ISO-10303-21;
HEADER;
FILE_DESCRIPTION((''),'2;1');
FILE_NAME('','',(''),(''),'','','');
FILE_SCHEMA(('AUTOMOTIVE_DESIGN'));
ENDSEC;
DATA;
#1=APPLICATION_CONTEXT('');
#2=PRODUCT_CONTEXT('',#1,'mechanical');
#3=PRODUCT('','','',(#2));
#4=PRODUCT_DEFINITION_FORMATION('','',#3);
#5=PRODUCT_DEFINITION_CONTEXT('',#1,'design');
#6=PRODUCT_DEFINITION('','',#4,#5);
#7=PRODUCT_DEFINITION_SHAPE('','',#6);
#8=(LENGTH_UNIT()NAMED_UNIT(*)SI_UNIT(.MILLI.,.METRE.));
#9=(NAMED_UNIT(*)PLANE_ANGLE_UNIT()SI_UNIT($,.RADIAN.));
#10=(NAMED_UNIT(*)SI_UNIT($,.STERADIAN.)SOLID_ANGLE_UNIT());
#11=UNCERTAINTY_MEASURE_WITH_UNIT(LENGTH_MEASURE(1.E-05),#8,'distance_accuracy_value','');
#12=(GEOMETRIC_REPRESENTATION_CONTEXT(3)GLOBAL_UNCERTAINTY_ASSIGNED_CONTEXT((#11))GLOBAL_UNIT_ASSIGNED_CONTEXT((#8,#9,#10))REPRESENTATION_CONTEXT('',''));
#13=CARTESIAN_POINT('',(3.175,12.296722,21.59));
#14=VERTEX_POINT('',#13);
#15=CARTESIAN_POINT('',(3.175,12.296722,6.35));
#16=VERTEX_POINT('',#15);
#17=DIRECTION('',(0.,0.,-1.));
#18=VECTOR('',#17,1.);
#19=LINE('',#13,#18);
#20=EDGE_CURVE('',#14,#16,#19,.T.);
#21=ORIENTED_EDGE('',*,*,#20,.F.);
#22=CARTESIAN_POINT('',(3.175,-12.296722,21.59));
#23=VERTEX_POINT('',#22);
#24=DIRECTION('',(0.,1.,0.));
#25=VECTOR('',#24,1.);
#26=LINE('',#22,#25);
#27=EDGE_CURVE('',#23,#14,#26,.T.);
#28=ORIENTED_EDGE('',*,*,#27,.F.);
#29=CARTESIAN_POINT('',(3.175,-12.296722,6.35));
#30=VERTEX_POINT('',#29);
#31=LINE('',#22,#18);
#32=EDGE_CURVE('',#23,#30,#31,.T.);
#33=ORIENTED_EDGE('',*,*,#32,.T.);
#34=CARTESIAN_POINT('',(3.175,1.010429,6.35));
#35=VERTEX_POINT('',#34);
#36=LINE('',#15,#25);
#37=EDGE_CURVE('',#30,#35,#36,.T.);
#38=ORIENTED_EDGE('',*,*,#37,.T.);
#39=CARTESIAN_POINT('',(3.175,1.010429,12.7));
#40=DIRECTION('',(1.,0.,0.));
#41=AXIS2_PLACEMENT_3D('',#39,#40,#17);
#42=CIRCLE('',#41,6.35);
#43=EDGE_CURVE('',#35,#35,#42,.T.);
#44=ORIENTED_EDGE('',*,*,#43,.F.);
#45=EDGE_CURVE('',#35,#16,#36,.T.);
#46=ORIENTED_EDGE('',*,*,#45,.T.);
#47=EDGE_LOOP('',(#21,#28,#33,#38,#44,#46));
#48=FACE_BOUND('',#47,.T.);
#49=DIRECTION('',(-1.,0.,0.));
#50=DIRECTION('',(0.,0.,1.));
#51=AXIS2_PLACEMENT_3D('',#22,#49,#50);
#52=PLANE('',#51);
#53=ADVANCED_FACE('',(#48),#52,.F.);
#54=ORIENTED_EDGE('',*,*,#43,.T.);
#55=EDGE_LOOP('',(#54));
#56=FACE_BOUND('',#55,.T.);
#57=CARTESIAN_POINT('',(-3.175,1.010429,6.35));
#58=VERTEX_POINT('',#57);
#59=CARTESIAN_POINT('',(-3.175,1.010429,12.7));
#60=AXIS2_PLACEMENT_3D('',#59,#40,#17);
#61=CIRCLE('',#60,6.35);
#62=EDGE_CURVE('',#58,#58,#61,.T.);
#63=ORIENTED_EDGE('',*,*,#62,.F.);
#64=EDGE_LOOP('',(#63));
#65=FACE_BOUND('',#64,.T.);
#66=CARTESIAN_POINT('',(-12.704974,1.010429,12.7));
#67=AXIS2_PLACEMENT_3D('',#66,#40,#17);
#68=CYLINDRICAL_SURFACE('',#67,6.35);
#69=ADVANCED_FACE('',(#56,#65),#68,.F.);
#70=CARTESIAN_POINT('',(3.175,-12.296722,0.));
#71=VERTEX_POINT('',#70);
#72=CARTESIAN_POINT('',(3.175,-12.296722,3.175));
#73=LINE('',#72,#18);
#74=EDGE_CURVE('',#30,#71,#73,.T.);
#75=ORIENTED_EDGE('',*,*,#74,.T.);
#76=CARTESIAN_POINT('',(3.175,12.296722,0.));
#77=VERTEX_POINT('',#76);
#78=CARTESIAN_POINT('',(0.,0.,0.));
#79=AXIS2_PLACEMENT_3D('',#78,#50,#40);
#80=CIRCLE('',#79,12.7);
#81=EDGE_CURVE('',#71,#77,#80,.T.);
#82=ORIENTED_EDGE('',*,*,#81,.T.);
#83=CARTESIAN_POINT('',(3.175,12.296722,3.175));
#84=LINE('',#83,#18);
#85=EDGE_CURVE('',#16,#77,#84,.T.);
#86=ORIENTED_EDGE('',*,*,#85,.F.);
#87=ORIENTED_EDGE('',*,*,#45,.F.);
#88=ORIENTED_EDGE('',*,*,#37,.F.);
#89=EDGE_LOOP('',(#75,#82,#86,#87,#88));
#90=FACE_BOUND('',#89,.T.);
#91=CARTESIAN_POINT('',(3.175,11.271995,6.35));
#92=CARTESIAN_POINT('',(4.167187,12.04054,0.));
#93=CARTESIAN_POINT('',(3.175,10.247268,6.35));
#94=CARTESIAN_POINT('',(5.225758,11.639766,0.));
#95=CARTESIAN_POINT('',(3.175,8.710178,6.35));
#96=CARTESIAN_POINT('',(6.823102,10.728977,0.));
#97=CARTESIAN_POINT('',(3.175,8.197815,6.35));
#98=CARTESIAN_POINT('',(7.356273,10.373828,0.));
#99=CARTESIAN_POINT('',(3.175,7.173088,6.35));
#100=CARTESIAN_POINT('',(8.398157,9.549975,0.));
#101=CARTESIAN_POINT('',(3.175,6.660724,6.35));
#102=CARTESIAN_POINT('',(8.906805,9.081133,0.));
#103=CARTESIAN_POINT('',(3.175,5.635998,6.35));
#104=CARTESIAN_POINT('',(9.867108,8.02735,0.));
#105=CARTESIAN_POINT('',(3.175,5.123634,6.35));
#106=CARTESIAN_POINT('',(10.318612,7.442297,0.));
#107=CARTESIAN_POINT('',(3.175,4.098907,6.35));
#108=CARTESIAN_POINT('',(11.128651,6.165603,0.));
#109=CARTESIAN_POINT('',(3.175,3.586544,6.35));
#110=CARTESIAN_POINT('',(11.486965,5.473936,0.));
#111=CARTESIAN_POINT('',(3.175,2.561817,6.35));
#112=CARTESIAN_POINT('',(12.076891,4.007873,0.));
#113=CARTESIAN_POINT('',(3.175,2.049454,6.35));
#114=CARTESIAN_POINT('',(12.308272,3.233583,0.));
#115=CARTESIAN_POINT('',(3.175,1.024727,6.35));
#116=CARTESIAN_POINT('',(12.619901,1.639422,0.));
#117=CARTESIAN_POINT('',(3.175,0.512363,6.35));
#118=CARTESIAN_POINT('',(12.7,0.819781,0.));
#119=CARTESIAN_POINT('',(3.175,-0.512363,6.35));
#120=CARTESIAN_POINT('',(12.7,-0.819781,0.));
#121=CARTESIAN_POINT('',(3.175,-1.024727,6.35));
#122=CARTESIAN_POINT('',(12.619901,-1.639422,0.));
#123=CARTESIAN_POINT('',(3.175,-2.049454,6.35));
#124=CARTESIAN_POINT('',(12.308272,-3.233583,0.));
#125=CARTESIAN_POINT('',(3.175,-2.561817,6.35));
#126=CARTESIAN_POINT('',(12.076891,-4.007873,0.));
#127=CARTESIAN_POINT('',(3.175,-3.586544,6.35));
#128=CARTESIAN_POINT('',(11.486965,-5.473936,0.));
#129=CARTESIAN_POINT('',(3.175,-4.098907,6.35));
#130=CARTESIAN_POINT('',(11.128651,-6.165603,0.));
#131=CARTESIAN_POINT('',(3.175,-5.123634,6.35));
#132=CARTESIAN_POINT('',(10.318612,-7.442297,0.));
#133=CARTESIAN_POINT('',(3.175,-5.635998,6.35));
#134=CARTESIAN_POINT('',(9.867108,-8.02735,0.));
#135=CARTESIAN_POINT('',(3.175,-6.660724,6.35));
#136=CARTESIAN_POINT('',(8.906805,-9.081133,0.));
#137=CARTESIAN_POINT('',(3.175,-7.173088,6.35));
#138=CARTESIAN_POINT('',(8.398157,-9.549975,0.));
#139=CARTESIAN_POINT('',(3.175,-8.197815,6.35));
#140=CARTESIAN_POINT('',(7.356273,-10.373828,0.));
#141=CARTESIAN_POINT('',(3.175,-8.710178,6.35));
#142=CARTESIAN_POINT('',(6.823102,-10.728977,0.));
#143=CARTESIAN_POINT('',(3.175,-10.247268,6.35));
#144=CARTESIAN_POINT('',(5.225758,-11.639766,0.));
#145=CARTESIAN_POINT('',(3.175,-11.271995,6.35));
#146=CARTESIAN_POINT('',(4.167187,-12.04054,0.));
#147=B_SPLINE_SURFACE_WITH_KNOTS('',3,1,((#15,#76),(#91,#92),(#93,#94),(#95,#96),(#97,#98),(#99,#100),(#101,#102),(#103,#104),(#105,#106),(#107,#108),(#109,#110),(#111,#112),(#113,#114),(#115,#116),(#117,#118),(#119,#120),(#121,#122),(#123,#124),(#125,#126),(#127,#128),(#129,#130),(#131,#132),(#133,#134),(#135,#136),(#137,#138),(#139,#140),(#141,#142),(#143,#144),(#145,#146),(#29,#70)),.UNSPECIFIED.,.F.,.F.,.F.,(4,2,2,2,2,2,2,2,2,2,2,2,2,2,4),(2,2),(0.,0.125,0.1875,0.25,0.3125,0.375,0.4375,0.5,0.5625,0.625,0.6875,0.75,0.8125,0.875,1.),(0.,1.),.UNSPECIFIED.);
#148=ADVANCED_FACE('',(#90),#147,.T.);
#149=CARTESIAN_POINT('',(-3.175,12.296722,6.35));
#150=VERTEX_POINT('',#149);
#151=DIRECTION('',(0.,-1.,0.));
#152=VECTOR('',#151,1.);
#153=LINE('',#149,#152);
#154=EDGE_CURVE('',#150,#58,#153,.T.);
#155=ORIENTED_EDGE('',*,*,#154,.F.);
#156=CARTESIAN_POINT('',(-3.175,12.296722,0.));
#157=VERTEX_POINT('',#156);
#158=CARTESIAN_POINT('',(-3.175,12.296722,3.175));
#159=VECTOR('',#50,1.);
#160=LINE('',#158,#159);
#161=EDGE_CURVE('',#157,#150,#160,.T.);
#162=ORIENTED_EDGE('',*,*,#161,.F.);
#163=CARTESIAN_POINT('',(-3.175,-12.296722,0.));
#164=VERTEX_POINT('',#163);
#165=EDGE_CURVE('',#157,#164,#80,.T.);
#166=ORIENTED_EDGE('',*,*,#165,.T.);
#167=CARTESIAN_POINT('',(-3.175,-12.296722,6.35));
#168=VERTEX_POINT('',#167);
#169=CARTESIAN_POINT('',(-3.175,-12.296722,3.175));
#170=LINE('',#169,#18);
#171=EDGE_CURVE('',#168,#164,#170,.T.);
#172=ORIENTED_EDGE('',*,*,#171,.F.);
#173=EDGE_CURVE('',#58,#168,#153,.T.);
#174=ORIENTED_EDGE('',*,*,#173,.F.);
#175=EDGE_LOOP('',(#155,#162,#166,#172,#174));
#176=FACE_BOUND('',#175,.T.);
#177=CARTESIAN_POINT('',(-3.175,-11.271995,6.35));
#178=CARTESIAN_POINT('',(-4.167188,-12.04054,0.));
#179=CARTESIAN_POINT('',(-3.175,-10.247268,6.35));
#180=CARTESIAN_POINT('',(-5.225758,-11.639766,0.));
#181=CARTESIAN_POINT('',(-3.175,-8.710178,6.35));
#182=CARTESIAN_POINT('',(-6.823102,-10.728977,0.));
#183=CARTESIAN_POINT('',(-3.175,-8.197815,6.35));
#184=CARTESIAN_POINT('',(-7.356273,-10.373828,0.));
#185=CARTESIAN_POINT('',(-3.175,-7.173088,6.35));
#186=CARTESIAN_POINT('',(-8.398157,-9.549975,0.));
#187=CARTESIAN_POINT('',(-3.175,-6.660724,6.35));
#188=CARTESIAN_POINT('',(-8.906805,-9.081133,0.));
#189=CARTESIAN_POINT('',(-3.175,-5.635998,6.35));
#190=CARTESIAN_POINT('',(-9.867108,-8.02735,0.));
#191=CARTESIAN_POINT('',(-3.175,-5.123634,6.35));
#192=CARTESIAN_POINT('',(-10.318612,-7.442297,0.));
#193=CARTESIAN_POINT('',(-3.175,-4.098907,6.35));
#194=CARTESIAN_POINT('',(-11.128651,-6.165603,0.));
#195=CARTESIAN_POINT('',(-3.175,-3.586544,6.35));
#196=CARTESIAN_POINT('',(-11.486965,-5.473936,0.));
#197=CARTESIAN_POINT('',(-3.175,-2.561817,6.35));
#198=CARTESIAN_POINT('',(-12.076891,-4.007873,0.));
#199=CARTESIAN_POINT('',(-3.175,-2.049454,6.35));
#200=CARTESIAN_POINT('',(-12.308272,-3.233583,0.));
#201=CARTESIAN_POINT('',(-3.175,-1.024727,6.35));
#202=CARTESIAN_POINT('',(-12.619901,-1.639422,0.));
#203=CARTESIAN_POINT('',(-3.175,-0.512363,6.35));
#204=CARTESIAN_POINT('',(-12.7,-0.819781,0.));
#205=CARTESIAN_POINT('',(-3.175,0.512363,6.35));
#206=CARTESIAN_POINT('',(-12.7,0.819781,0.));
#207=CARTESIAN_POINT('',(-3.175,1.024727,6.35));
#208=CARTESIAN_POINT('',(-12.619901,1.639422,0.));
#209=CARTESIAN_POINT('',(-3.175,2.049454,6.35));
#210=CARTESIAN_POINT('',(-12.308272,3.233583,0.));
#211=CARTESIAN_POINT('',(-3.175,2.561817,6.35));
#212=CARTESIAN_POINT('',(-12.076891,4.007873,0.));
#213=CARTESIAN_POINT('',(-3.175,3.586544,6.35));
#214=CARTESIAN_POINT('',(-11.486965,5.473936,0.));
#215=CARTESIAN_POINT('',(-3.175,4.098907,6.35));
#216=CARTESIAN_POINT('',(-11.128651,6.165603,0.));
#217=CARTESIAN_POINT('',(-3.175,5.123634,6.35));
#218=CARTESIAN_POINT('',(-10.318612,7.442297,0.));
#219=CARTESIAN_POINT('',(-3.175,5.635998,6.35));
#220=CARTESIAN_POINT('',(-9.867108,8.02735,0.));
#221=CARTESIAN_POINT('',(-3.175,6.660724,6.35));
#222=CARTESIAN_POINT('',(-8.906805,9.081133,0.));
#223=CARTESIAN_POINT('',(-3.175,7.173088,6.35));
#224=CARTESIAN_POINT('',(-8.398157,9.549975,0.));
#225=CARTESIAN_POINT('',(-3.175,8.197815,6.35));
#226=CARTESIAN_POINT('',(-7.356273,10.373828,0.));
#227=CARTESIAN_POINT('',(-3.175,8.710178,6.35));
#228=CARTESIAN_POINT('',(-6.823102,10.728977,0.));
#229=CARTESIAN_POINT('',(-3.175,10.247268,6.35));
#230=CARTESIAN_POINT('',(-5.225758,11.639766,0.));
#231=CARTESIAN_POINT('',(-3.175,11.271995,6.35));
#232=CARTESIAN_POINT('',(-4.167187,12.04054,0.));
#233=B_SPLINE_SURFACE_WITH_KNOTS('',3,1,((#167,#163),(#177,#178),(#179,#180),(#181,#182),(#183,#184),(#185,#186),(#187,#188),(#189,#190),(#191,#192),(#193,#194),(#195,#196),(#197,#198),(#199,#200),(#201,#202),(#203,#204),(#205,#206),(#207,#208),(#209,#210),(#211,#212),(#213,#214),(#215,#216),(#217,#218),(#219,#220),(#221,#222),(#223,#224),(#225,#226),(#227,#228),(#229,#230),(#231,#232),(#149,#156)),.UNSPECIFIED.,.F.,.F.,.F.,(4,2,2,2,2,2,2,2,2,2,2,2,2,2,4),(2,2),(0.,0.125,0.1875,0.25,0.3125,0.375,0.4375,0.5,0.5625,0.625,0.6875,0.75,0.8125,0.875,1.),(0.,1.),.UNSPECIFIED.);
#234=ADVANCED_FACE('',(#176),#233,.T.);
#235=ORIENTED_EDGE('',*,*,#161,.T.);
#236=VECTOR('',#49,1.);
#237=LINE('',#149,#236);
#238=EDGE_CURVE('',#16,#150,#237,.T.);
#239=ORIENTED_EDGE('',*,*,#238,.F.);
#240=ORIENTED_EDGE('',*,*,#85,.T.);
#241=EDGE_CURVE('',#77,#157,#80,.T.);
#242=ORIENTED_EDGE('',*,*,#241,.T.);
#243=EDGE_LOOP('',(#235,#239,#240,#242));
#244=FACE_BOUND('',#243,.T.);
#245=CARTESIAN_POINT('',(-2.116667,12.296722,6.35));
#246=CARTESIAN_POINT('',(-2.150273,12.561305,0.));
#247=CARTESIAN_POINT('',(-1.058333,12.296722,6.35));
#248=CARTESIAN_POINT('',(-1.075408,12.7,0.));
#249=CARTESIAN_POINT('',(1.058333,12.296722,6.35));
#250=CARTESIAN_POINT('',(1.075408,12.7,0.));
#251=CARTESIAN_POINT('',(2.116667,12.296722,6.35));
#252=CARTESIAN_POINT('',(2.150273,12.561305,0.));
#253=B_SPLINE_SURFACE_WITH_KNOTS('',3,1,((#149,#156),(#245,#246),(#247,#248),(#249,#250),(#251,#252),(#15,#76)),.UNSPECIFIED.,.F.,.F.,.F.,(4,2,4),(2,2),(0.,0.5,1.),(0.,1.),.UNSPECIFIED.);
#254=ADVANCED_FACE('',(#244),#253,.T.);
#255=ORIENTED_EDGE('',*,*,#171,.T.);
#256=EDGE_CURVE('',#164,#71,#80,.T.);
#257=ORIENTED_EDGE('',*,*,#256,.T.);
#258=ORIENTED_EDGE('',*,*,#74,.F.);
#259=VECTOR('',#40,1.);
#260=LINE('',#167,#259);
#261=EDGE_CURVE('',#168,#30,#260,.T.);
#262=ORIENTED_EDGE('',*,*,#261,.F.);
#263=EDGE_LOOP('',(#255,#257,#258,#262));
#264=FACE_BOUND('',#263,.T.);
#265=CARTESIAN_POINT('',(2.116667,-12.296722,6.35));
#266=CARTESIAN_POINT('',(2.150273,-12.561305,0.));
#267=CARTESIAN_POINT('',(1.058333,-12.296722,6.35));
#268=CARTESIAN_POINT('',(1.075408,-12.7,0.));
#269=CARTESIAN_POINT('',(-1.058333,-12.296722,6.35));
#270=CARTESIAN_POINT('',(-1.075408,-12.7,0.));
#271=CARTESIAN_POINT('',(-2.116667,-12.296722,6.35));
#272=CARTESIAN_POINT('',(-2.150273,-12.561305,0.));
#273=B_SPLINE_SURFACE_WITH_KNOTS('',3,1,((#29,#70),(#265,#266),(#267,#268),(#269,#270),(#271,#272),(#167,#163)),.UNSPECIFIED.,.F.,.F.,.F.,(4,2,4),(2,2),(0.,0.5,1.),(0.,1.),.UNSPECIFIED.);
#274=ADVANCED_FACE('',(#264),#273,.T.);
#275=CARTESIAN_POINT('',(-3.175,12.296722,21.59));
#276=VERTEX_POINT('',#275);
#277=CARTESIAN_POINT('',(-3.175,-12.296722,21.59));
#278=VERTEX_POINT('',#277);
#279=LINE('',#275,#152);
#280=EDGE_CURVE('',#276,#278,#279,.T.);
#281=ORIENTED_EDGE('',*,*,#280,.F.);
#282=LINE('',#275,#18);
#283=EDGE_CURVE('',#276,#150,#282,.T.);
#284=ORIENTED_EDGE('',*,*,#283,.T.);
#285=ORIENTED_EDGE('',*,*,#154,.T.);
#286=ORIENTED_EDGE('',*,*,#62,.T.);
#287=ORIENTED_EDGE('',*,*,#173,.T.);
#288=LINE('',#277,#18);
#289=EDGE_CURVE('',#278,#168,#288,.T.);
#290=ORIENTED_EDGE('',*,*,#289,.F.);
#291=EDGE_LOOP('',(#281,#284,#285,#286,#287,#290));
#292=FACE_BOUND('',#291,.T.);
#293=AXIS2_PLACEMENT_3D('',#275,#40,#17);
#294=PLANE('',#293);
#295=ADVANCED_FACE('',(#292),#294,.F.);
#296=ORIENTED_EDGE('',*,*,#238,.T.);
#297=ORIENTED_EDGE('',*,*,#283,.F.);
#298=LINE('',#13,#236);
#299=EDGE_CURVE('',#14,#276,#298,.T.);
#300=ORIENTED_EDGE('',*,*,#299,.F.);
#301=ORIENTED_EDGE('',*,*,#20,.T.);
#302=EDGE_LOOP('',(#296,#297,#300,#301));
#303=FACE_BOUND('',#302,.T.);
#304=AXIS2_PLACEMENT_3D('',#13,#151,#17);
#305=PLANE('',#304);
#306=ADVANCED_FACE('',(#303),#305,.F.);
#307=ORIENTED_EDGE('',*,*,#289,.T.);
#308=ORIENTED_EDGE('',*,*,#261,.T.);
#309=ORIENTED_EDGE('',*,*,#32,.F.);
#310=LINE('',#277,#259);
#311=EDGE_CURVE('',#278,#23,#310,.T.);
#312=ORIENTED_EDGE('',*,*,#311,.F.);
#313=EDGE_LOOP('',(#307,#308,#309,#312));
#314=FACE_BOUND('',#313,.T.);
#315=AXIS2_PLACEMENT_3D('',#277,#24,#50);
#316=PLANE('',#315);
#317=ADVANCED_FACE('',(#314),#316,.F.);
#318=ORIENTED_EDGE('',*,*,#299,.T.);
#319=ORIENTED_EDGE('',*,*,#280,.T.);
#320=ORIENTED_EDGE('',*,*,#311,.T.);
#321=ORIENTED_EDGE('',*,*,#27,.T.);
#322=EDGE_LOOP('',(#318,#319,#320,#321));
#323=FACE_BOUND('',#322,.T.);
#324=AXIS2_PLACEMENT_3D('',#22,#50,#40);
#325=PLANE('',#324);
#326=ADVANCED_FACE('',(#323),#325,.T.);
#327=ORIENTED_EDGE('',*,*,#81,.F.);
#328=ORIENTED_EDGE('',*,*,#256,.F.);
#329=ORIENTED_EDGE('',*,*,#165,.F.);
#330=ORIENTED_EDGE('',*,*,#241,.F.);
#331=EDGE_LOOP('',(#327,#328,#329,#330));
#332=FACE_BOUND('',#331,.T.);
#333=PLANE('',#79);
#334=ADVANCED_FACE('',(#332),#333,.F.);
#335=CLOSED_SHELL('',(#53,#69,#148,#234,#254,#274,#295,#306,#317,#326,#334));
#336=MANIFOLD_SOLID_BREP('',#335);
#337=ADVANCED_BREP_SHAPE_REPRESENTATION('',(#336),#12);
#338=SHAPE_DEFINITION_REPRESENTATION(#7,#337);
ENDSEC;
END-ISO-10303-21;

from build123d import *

# Parameters (mm, degrees)
SKETCH2_W           = 6.35
SKETCH2_H           = 24.593444248
SKETCH3_W           = 6.35
SKETCH3_H           = 24.593444248
BOSS_EXTRUDE1_DEPTH = 15.24
SKETCH4_R           = 6.35
CUT_EXTRUDE1_DEPTH  = 30.655247945


with BuildPart() as part:
    # Sketch2 → Loft1 section 0
    with BuildSketch(Plane.XY.offset(6.35)):
        Rectangle(SKETCH2_W, SKETCH2_H)
    # Sketch1 for Loft1 → Loft1 section 1
    with BuildSketch(Plane.XY):
        with BuildLine():
            # circular arc as an exact rational Bezier (weights 1, cos(half-angle), 1)
            Bezier((-3.175, 12.296722124), (0, 13.116503599), (3.175, 12.296722124), weights=[1, 0.968245837, 1])
            Bezier((3.175, 12.296722124), (50.800000002, 0), (3.175, -12.296722124), weights=[1, 0.25, 1])
            Bezier((3.175, -12.296722124), (0, -13.116503599), (-3.175, -12.296722124), weights=[1, 0.968245837, 1])
            Bezier((-3.175, -12.296722124), (-50.800000002, 0), (-3.175, 12.296722124), weights=[1, 0.25, 1])
        make_face()
    loft()

    # Sketch3 → Boss-Extrude1 (add)
    with BuildSketch(Plane.XY.offset(6.35)):
        Rectangle(SKETCH3_W, SKETCH3_H)
    extrude(amount=BOSS_EXTRUDE1_DEPTH)

    # Sketch4 → Cut-Extrude1 (cut, through all)
    with BuildSketch(Plane(origin=(3.175, 0, 0), x_dir=(0, 0, -1), z_dir=(1, 0, 0))):
        with Locations((-12.7, 1.010428855)):
            Circle(SKETCH4_R)
    extrude(amount=-CUT_EXTRUDE1_DEPTH, mode=Mode.SUBTRACT)


solid = part.part
